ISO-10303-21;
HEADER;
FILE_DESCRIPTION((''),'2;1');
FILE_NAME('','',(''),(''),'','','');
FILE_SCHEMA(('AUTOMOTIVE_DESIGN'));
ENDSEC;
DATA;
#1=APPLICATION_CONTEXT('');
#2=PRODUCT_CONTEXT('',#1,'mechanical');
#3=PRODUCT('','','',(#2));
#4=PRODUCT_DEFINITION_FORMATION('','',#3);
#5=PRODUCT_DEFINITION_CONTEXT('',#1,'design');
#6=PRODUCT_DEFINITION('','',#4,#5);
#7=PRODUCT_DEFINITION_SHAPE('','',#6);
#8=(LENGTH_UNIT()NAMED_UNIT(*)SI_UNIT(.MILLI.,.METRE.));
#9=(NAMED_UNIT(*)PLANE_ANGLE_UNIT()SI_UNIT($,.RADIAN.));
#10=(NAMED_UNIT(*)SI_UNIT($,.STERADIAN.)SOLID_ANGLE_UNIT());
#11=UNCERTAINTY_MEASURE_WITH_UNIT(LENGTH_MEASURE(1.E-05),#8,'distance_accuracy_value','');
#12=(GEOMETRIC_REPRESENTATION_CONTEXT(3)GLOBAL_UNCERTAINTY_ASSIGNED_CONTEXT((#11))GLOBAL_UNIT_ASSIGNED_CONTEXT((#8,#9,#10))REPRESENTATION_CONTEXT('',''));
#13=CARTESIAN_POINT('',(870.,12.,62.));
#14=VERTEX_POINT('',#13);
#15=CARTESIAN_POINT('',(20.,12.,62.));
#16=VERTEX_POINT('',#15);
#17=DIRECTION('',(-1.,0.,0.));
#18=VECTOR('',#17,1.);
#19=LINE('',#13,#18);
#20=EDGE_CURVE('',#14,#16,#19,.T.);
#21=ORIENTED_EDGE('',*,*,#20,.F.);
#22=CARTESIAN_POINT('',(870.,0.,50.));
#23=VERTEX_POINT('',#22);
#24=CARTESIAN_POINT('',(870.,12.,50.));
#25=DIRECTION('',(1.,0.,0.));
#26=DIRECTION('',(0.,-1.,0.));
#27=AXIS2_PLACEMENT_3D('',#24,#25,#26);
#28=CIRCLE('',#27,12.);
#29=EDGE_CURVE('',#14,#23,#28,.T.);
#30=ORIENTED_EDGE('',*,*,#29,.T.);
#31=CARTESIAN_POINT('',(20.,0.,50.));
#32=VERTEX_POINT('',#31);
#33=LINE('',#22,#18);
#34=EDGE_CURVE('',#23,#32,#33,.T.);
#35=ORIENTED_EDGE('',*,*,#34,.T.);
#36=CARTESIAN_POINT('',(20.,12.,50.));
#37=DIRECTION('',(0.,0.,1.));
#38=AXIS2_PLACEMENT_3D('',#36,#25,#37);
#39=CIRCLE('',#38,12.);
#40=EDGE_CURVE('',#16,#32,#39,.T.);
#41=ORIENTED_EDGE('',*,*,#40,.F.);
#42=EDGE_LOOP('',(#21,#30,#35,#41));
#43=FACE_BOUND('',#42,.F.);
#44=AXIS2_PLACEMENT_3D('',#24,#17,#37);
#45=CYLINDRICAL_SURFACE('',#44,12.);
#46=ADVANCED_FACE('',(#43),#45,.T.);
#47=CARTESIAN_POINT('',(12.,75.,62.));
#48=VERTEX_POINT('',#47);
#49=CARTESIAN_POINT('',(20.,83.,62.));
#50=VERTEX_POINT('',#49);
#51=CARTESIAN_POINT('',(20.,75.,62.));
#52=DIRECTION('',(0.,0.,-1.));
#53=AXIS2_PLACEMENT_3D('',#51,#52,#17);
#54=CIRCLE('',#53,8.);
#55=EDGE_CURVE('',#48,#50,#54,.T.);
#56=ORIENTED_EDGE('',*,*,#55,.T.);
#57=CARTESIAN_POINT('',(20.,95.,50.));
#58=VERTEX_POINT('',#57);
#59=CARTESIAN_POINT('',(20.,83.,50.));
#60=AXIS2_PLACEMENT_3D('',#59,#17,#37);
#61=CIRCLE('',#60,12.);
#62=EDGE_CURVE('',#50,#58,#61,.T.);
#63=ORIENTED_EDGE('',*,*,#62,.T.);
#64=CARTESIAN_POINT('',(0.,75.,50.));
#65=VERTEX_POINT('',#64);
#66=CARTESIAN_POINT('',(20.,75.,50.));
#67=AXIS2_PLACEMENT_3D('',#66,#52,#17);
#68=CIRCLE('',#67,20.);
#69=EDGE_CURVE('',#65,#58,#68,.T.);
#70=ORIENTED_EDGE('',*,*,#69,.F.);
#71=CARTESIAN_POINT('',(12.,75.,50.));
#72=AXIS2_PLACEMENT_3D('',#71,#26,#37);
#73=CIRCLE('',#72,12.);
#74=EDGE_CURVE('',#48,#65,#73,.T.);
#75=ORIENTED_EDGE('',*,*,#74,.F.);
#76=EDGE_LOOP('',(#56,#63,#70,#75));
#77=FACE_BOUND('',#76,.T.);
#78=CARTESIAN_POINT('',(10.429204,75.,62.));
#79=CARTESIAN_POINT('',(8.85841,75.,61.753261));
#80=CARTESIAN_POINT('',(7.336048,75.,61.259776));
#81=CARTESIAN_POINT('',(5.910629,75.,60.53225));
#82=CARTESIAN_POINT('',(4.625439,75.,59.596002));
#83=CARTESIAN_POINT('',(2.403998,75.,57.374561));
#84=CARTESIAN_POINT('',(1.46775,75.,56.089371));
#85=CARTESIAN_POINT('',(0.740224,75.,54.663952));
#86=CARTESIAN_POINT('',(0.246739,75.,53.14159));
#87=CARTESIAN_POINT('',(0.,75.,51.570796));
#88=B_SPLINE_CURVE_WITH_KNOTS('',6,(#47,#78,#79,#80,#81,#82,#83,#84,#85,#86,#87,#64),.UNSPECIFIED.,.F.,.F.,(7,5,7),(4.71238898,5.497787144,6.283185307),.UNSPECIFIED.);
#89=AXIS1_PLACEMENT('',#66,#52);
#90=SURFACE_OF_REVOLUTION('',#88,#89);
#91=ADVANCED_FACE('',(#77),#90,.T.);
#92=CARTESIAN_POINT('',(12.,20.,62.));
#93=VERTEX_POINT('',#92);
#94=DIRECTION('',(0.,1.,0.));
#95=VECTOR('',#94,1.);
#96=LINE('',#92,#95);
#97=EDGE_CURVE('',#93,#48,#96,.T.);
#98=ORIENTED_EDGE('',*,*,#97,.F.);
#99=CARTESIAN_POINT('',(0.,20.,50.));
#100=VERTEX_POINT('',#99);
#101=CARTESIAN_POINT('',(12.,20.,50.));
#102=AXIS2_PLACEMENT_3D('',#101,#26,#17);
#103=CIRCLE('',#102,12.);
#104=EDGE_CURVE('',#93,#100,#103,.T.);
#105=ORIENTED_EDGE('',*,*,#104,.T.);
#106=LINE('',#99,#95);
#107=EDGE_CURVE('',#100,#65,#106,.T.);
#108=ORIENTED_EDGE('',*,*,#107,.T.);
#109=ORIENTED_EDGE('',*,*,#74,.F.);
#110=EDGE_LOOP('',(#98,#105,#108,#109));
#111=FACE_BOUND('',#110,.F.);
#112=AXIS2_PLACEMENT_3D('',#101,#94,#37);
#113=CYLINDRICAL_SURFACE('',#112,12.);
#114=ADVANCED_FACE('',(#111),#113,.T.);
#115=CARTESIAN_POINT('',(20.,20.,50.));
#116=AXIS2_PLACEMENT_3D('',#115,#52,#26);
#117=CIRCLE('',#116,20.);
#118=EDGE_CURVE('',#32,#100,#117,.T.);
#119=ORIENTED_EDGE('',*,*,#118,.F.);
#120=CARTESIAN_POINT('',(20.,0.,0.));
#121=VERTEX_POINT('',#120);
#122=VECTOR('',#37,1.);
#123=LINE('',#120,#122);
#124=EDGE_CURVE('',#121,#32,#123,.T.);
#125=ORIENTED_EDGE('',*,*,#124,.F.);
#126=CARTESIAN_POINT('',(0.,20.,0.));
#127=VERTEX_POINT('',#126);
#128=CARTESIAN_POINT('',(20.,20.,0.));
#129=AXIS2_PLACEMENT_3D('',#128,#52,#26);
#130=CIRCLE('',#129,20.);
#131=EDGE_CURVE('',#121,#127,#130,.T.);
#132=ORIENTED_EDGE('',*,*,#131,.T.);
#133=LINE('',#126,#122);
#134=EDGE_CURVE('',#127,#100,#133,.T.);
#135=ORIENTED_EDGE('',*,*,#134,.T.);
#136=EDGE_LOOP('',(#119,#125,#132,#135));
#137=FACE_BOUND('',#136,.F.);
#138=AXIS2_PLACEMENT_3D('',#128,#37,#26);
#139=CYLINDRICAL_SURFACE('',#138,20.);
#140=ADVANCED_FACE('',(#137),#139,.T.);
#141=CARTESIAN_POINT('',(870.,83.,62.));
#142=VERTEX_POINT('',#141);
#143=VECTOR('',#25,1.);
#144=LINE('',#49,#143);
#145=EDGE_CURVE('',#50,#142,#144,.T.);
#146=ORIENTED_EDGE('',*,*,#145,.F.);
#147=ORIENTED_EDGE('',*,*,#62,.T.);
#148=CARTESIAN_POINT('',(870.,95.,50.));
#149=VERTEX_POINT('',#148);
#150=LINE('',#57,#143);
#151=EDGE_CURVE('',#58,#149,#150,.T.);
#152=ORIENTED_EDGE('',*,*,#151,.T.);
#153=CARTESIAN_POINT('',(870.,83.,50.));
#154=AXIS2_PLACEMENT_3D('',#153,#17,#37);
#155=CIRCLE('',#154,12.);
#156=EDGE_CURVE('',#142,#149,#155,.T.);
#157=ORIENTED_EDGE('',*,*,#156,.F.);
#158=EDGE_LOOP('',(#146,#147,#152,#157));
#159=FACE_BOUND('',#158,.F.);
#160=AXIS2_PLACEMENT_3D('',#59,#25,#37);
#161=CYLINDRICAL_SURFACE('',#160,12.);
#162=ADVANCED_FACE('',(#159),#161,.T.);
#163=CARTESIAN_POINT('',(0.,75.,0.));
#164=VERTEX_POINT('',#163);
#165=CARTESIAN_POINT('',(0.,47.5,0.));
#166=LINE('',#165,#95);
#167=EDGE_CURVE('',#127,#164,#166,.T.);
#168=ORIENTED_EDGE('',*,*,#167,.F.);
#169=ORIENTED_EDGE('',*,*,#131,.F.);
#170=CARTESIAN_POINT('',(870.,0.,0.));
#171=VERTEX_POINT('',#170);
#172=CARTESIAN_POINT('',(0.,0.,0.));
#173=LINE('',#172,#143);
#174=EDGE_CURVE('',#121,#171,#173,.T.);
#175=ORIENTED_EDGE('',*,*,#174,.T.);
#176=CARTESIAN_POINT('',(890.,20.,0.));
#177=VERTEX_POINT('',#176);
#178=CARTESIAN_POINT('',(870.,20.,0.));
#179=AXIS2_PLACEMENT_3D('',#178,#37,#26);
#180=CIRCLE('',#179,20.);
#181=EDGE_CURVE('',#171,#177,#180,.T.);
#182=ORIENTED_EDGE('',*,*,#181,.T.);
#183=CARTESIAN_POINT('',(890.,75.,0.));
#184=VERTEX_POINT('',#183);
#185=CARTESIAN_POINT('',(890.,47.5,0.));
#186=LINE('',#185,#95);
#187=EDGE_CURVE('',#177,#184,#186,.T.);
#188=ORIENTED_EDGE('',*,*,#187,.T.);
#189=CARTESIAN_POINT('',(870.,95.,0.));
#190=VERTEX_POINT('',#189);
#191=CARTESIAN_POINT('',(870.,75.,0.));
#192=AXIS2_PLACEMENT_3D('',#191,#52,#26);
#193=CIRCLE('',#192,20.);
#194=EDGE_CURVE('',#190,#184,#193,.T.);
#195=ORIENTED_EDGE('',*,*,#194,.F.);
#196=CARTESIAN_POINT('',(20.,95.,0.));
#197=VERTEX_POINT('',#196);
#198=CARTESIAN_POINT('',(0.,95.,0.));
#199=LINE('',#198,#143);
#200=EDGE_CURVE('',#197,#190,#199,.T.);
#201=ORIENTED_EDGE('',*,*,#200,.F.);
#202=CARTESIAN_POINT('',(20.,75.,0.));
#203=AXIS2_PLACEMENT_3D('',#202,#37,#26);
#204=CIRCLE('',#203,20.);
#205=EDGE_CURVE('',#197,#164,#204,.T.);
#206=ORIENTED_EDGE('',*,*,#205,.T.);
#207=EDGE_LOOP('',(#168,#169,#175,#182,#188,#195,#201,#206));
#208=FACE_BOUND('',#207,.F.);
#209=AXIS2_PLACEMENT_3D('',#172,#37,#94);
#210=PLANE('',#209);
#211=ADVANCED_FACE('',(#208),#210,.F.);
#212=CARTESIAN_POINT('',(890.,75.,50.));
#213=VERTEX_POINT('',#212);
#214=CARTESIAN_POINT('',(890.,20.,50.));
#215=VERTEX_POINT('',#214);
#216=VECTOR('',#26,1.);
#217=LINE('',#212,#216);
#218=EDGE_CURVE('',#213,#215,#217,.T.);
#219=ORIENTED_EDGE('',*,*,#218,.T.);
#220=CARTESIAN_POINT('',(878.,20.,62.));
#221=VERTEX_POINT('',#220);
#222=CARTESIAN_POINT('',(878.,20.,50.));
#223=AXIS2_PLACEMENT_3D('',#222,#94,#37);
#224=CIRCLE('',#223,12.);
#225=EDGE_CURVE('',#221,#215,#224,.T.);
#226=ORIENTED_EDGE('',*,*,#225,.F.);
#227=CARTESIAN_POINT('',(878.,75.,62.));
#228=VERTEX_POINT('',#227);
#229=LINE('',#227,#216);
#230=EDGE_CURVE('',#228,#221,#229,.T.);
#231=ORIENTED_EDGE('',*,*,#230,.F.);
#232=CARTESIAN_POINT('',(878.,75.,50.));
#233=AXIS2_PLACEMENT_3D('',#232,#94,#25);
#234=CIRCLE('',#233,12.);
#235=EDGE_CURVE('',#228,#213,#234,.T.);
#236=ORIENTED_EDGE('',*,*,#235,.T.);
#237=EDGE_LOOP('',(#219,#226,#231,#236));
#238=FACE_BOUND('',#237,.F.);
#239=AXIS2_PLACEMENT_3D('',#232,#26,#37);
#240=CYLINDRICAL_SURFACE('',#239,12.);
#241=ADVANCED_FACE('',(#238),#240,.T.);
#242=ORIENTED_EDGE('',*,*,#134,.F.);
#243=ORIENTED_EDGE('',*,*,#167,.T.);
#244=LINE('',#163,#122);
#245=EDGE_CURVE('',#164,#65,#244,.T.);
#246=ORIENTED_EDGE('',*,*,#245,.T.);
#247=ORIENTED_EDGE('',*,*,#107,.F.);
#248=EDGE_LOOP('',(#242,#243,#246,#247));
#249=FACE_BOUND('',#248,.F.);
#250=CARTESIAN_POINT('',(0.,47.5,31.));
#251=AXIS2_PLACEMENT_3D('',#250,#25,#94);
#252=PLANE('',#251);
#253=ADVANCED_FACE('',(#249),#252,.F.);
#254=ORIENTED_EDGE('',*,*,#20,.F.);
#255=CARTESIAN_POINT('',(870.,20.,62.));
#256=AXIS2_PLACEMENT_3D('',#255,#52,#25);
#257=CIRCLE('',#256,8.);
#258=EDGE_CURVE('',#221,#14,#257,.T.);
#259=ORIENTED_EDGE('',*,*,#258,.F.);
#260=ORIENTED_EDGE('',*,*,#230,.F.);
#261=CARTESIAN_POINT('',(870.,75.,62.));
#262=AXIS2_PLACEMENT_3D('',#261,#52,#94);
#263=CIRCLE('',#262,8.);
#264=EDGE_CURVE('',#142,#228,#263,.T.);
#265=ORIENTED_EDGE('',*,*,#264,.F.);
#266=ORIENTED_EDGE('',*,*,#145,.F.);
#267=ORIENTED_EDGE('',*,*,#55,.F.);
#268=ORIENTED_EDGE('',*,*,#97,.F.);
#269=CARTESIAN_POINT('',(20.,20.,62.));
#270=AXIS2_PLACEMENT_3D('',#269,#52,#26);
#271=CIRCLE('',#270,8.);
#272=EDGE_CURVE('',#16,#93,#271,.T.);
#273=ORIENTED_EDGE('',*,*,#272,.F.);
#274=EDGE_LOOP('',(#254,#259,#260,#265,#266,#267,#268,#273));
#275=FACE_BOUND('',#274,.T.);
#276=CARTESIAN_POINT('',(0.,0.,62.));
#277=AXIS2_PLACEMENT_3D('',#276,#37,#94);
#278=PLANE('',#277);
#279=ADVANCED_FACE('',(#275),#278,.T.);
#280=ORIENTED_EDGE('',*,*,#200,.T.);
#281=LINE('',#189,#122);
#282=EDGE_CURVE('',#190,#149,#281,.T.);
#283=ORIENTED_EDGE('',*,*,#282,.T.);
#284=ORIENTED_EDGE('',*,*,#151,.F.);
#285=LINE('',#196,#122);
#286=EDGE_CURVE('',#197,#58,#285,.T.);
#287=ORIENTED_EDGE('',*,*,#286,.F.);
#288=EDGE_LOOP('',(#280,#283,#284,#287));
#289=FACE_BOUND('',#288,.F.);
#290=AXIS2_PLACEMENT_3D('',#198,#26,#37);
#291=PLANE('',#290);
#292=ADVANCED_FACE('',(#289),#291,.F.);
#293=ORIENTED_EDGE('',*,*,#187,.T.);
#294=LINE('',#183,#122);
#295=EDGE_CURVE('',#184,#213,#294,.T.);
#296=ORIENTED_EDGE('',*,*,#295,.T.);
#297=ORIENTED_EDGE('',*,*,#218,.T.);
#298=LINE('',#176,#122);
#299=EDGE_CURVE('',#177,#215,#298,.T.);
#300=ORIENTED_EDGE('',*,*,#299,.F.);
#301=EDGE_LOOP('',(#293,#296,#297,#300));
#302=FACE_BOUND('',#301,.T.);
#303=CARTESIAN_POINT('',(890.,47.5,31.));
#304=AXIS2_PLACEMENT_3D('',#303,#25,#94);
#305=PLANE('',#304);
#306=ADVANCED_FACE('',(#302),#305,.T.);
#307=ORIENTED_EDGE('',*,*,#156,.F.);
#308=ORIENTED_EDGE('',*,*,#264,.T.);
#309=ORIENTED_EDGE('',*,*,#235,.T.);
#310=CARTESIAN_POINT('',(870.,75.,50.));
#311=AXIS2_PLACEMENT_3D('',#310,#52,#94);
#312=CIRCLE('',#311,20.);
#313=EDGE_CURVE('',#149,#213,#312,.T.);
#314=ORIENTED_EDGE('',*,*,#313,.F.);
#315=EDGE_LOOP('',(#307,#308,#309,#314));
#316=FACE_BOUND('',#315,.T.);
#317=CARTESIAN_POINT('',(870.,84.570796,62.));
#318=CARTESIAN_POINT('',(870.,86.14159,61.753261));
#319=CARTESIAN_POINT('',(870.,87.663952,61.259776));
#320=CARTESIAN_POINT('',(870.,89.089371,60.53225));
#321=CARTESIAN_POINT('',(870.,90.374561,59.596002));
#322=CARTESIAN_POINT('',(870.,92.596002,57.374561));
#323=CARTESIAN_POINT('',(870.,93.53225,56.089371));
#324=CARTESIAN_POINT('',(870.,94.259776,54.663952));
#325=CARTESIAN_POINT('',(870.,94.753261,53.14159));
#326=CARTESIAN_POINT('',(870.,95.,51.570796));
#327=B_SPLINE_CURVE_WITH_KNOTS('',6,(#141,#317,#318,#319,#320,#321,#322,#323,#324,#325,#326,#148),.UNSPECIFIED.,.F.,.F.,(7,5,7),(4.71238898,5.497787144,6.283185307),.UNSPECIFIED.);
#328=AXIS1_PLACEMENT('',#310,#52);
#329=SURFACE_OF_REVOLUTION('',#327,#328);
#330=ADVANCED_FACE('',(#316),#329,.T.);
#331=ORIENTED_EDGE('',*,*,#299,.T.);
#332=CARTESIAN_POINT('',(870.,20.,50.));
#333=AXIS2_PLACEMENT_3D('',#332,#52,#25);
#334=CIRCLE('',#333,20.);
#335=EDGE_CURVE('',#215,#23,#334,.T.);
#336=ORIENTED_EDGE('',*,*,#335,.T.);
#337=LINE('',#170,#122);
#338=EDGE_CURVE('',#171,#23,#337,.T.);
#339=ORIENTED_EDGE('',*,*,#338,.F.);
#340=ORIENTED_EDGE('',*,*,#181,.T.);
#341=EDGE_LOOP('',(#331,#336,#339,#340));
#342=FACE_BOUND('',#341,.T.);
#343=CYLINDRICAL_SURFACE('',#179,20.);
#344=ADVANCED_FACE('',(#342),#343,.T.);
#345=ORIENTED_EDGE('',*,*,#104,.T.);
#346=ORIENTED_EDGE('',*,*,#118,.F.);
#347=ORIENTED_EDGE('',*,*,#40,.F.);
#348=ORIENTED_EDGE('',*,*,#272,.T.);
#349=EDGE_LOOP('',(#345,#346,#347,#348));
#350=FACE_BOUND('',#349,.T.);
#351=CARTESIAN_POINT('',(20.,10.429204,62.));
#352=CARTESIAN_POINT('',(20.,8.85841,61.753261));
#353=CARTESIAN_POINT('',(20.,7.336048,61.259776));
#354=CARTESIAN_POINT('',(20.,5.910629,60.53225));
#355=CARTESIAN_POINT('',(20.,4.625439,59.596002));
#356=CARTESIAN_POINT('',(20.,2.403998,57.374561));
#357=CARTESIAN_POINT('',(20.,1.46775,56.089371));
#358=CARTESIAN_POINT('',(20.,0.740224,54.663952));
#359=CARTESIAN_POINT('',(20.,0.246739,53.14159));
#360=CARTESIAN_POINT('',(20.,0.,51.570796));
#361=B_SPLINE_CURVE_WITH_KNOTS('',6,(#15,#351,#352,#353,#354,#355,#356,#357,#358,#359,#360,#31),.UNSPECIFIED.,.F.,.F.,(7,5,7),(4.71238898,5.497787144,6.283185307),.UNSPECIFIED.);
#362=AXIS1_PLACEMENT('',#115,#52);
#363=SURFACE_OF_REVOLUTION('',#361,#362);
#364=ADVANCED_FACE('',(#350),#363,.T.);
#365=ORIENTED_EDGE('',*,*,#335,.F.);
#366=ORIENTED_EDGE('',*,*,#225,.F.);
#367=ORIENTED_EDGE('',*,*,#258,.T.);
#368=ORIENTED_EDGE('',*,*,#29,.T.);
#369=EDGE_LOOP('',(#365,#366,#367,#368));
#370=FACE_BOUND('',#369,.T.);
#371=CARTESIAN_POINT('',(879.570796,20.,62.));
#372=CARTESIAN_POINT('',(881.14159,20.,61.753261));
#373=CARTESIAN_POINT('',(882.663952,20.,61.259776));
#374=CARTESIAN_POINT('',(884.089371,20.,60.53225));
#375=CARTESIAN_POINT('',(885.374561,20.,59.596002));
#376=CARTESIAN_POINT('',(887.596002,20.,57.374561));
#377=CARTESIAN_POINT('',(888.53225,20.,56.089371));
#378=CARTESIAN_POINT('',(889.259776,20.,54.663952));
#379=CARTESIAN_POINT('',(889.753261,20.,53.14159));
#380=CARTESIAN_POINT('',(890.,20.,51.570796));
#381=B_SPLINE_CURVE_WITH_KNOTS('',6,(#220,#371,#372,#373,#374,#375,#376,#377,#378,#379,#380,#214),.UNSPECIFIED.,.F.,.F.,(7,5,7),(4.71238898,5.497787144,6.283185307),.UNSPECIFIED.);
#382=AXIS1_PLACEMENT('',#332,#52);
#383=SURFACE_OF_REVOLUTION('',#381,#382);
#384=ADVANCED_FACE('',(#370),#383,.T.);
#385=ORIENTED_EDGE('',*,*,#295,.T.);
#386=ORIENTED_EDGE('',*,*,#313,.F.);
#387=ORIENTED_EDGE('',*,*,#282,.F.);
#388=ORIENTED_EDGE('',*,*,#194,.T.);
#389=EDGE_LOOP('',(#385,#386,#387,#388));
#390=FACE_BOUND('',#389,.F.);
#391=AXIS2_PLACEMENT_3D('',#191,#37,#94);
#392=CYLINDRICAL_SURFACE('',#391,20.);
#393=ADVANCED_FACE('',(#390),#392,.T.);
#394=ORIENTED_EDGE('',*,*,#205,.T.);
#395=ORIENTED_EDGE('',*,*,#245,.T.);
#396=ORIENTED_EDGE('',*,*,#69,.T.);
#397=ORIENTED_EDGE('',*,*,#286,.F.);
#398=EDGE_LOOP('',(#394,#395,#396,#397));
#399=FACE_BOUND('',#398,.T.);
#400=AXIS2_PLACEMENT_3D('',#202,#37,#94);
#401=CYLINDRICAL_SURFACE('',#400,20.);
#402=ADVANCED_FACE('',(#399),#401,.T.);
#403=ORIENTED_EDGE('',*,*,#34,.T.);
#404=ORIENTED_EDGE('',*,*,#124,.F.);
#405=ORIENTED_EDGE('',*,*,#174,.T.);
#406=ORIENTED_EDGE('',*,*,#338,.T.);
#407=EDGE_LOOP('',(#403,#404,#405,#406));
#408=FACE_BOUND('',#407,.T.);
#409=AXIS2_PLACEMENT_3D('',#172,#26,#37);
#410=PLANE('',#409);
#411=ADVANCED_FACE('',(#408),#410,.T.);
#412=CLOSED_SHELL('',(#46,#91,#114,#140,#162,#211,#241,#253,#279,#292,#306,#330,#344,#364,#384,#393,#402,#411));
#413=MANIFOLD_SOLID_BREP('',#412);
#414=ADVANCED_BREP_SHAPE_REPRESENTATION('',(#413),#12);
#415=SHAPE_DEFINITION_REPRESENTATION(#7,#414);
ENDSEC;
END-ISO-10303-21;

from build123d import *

# Parameters (mm, degrees)
SKETCH_W    = 95
SKETCH_H    = 62
PAD_DEPTH   = 890
FILLET_R    = 20
FILLET001_R = 12


with BuildPart() as part:
    # Sketch → Pad (new body)
    with BuildSketch(Plane.YZ):
        with Locations((47.5, 31)):
            Rectangle(SKETCH_W, SKETCH_H)
    extrude(amount=PAD_DEPTH)

    # Fillet
    fillet_edges = [part.edges().sort_by_distance(p)[0] for p in [
        (0, 0, 31),
        (890, 0, 31),
        (890, 95, 31),
        (0, 95, 31),
    ]]
    fillet(fillet_edges, radius=FILLET_R)

    # Fillet001
    fillet001_edges = [part.edges().sort_by_distance(p)[0] for p in [
        (445, 95, 62),
        (5.857864, 89.142136, 62),
        (884.142136, 89.142136, 62),
        (0, 47.5, 62),
        (890, 47.5, 62),
        (5.857864, 5.857864, 62),
        (884.142136, 5.857864, 62),
        (445, 0, 62),
    ]]
    fillet(fillet001_edges, radius=FILLET001_R)


solid = part.part
